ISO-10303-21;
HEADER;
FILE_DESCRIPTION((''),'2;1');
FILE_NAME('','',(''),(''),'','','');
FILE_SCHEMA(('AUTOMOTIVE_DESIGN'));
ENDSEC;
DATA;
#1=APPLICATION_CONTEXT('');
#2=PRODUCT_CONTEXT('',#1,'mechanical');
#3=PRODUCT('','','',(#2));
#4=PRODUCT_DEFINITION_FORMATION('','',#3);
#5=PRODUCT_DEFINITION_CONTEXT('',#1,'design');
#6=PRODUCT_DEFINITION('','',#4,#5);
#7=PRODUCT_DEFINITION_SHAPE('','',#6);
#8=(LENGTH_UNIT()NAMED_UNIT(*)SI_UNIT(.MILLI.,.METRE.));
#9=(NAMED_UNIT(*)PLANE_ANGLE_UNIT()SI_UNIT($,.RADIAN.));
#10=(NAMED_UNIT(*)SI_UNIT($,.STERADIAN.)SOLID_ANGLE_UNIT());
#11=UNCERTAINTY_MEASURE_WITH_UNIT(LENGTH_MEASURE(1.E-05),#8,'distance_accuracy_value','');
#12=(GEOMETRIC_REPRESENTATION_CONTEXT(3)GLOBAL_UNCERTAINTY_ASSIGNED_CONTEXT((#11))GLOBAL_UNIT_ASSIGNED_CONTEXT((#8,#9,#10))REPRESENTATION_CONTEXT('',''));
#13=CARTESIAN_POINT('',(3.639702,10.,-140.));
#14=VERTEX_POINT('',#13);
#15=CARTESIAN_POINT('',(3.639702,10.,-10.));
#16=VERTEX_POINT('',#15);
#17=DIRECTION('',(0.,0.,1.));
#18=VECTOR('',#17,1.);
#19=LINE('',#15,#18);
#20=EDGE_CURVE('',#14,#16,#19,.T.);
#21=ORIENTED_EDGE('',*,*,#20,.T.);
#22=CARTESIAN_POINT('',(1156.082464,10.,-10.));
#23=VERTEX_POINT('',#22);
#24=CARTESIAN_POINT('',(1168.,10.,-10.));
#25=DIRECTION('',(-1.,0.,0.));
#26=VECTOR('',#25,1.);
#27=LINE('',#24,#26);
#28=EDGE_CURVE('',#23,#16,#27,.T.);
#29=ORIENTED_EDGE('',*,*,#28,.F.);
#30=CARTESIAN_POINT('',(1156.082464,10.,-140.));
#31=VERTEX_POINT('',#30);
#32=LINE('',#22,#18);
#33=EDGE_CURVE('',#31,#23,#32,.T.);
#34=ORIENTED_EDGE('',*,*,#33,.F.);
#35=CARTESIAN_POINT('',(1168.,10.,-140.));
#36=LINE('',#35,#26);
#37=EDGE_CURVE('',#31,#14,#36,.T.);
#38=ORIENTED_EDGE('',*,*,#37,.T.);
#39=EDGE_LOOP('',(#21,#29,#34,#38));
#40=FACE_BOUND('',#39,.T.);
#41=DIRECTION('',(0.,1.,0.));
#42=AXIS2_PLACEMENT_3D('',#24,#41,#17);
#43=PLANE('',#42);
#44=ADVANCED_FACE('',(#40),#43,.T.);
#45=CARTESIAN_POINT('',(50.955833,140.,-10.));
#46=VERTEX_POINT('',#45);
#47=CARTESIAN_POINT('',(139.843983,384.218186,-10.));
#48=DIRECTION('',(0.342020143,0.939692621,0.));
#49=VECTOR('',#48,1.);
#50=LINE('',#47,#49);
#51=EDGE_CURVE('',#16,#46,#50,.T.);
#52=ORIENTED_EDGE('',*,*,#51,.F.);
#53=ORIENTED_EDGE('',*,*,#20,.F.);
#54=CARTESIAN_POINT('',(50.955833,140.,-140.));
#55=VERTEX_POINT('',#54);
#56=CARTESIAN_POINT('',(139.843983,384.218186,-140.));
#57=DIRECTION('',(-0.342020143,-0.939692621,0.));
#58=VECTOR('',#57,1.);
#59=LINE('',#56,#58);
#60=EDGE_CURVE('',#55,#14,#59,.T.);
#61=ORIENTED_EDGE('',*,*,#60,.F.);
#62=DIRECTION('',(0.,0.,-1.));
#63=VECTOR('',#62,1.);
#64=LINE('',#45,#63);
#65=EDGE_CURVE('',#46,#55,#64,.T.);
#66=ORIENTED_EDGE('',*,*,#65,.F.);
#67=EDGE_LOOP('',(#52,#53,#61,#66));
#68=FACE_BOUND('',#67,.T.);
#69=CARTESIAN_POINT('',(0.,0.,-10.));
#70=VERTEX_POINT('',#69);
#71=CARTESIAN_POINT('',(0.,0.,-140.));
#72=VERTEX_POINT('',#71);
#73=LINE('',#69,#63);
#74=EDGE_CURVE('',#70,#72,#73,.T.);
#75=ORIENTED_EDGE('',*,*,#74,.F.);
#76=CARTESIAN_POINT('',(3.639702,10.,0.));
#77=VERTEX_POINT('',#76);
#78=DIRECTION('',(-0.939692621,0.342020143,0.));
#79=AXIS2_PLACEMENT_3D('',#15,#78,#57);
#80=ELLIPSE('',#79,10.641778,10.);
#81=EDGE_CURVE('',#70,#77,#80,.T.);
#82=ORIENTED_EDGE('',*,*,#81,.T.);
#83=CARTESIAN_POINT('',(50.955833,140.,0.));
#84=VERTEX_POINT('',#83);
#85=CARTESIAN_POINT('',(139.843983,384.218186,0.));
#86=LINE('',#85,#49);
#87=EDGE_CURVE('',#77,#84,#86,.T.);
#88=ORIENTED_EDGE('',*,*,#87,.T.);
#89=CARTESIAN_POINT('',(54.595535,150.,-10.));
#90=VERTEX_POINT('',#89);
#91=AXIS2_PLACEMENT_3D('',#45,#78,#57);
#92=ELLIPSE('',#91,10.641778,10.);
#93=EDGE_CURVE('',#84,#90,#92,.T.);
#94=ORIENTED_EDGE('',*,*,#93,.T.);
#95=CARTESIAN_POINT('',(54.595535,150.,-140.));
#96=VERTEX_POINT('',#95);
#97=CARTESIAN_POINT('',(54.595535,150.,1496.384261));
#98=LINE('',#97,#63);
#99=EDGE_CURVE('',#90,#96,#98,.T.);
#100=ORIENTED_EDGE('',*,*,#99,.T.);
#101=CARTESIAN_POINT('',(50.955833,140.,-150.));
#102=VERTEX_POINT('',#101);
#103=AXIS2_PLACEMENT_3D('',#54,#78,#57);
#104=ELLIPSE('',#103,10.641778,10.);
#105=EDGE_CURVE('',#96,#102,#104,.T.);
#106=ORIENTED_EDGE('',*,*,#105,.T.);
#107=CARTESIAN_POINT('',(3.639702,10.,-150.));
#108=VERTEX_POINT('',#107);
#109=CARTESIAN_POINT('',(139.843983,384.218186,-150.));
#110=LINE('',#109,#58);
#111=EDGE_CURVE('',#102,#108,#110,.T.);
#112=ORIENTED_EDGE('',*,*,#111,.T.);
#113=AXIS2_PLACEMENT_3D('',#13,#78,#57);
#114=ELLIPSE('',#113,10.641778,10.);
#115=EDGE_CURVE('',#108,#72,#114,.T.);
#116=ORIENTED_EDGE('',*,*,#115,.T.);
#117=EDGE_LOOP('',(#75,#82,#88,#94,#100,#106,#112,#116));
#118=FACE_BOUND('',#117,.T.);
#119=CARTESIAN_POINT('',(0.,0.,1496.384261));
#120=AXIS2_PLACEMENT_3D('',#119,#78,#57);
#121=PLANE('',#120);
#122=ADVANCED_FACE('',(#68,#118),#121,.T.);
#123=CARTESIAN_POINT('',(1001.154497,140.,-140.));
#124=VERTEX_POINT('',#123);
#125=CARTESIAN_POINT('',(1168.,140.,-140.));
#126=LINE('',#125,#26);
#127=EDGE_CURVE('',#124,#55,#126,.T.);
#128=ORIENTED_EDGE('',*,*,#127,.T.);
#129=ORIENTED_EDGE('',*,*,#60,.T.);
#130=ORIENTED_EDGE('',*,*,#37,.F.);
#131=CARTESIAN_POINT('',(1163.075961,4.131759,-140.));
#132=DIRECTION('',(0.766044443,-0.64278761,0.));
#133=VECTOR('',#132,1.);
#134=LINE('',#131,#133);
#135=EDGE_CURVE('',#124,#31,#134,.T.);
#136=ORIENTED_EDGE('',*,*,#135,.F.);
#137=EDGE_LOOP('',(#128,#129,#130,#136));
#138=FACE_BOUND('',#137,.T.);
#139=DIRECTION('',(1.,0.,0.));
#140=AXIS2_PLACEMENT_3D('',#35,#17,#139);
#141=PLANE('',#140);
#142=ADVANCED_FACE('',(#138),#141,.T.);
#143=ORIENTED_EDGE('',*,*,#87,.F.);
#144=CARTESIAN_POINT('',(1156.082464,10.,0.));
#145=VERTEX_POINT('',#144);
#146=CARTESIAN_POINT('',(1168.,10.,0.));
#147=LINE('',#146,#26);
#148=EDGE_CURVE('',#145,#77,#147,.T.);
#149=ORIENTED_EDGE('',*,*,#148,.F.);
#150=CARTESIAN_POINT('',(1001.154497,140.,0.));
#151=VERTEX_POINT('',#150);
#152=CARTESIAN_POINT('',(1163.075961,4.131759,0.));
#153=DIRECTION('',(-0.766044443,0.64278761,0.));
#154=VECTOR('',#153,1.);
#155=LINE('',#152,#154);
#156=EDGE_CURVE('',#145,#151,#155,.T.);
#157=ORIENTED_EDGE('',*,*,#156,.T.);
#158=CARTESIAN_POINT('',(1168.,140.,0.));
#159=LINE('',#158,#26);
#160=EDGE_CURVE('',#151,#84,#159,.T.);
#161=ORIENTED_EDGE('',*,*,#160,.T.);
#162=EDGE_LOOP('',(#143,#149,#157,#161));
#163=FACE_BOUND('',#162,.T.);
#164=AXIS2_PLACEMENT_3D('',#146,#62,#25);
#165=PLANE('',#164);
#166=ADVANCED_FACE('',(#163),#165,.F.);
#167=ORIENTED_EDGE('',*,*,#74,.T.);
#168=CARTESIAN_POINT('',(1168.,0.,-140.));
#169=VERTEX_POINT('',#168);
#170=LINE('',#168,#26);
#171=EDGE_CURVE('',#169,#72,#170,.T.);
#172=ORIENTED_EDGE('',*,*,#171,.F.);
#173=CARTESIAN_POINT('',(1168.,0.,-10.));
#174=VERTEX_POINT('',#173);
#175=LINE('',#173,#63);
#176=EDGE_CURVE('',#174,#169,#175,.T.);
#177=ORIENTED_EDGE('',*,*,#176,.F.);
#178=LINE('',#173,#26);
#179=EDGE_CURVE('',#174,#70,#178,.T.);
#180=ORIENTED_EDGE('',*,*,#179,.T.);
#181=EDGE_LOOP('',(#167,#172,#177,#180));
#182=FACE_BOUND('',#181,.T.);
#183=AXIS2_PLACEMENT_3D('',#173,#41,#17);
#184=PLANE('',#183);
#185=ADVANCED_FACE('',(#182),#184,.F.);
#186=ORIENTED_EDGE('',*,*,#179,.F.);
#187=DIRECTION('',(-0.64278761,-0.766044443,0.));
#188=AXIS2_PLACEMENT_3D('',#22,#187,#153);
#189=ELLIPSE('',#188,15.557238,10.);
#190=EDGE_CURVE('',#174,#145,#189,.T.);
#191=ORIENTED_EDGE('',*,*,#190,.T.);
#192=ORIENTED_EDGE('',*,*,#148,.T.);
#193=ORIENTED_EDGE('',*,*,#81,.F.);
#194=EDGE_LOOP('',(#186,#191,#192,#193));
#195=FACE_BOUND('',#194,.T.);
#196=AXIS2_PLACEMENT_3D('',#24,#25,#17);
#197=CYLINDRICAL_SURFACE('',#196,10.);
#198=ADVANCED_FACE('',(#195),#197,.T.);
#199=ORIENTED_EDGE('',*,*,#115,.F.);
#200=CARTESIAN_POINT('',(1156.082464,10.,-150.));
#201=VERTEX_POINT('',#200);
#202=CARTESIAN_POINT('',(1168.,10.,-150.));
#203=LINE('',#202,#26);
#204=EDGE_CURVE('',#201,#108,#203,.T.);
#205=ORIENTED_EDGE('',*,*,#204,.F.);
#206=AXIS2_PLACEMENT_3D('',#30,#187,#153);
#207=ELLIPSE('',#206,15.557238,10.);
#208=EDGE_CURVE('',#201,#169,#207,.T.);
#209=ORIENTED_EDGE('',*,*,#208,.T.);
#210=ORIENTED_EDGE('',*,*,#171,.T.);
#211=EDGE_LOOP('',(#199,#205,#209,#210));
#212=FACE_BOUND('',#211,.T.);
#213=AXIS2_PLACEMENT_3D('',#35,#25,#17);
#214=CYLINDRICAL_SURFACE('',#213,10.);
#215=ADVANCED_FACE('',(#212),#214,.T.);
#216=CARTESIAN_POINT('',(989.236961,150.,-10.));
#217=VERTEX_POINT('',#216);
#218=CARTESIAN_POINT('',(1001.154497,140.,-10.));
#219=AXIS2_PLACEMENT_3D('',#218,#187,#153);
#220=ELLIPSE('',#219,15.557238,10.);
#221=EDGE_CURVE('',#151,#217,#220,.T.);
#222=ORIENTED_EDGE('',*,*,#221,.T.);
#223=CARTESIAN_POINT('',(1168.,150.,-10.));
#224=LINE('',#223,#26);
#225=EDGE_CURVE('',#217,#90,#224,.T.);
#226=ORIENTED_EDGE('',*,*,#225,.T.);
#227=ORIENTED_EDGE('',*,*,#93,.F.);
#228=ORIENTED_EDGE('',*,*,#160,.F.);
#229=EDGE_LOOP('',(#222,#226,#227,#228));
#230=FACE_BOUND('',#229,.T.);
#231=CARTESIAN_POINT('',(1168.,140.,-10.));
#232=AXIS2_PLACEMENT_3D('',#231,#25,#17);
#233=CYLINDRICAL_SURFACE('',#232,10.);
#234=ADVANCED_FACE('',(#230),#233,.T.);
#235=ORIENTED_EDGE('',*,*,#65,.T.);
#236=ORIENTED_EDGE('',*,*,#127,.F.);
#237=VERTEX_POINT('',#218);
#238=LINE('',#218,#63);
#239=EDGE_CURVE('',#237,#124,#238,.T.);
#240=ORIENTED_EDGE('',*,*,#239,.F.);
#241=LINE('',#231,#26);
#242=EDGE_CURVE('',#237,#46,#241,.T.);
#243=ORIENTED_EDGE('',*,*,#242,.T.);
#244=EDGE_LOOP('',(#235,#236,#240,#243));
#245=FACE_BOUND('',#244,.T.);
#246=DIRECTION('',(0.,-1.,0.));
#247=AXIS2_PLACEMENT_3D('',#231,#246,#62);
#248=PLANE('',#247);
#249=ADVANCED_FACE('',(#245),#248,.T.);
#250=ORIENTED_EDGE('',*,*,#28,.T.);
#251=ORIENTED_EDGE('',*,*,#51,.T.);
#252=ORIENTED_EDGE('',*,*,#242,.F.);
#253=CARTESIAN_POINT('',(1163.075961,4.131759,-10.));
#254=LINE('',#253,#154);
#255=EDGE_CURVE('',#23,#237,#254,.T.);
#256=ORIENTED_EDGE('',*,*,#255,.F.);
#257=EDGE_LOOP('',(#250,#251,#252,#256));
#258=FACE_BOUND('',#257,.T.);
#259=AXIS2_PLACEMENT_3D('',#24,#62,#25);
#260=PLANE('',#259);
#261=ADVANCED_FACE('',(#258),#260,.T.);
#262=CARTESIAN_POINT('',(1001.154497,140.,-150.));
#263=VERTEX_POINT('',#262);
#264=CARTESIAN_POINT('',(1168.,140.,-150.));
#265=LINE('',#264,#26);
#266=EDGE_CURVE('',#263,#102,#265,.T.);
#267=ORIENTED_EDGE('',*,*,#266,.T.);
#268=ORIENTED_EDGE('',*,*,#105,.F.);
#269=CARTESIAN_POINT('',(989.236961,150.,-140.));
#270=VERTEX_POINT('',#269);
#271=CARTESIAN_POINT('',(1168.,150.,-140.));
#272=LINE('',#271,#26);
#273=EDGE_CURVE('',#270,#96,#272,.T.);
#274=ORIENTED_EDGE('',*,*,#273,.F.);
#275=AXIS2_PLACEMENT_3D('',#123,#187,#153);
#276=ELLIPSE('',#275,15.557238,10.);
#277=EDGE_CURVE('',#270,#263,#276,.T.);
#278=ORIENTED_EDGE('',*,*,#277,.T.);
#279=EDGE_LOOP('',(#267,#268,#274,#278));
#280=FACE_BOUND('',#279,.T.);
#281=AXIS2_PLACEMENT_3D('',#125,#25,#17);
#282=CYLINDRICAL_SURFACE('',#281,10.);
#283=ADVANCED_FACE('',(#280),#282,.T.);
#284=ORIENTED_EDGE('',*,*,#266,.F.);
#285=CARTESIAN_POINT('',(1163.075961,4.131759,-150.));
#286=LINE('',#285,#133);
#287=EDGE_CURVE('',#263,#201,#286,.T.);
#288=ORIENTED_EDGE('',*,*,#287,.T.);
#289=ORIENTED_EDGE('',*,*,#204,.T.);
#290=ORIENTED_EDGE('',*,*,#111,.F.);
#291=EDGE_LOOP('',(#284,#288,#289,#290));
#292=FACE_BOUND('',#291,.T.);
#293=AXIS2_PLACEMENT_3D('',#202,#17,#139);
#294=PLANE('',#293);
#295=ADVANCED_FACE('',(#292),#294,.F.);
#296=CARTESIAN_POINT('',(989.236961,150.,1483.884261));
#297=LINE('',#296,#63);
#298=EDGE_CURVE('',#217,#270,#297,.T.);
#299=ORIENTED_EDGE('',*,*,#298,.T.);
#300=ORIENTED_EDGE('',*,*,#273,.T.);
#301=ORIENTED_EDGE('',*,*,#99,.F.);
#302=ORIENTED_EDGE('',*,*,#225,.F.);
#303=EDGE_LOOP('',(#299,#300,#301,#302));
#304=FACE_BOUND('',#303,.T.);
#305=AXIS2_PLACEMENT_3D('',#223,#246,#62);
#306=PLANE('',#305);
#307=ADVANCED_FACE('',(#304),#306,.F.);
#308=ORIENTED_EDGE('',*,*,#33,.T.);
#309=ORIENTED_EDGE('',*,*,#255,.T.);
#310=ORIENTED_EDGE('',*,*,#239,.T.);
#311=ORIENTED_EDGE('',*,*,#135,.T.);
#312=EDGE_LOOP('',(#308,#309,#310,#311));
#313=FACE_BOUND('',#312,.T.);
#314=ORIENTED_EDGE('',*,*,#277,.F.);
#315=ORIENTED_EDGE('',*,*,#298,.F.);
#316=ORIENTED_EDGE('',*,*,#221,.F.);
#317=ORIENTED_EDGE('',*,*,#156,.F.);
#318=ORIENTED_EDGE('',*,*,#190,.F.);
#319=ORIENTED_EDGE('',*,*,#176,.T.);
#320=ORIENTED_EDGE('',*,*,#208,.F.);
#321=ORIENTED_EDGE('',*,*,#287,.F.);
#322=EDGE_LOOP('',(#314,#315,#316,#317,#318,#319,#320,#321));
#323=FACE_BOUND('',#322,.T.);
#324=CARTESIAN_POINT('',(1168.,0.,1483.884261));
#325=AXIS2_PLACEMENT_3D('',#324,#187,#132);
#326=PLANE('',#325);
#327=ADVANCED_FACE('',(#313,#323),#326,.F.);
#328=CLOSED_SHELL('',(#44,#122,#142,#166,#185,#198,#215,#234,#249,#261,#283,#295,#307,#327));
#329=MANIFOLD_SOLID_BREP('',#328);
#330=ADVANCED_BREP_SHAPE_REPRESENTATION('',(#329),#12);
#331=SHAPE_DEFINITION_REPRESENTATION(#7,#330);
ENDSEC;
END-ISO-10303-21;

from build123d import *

# Parameters (mm, degrees)
SKETCH1_W               = 130
SKETCH1_H               = 130
EXTRUDE1_DEPTH          = 1168
CUT_EXTRUDE1_DEPTH      = 1188.107408788
CUT_EXTRUDE1_DEPTH_BACK = 1188.107408788
CUT_EXTRUDE2_DEPTH      = 1188.107408788
CUT_EXTRUDE2_DEPTH_BACK = 1188.107408788


with BuildPart() as part:
    # Sketch1 → Extrude1 (new body)
    with BuildSketch(Plane(origin=(0, 0, 0), x_dir=(0, 0, -1), z_dir=(1, 0, 0))):
        with BuildLine():
            Line((10, 0), (140, 0))
            ThreePointArc((140, 0), (147.071067812, 2.928932188), (150, 10))
            Line((150, 10), (150, 140))
            ThreePointArc((150, 140), (147.071067812, 147.071067812), (140, 150))
            Line((140, 150), (10, 150))
            ThreePointArc((10, 150), (2.928932188, 147.071067812), (0, 140))
            Line((0, 140), (0, 10))
            ThreePointArc((0, 10), (2.928932188, 2.928932188), (10, 0))
        make_face()
        with Locations((75, 75)):
            Rectangle(SKETCH1_W, SKETCH1_H, mode=Mode.SUBTRACT)
    extrude(amount=EXTRUDE1_DEPTH)

    # Sketch2 → Cut-Extrude1 (cut, two sides: drawn at the far end of the back side and taken through both)
    with BuildSketch(Plane.XY.offset(-CUT_EXTRUDE1_DEPTH_BACK)):
        Polygon((2979.836763712, -1520.311560184), (1168, 0), (989.236961111, 150), (-822.599802601, 1670.311560184), (2218.023317767, 5293.985087608), (6020.459884081, 2103.36196724), align=None)
    extrude(amount=CUT_EXTRUDE1_DEPTH + CUT_EXTRUDE1_DEPTH_BACK, mode=Mode.SUBTRACT)

    # Sketch3 → Cut-Extrude2 (cut, two sides: drawn at the far end of the back side and taken through both)
    with BuildSketch(Plane.XY.offset(-CUT_EXTRUDE2_DEPTH_BACK)):
        Polygon((-808.940884793, -2222.546814643), (0, 0), (54.59553514, 150), (863.536419933, 2372.546814643), (-3581.557209352, 3990.428584229), (-5254.034514079, -604.665045056), align=None)
    extrude(amount=CUT_EXTRUDE2_DEPTH + CUT_EXTRUDE2_DEPTH_BACK, mode=Mode.SUBTRACT)


solid = part.part
